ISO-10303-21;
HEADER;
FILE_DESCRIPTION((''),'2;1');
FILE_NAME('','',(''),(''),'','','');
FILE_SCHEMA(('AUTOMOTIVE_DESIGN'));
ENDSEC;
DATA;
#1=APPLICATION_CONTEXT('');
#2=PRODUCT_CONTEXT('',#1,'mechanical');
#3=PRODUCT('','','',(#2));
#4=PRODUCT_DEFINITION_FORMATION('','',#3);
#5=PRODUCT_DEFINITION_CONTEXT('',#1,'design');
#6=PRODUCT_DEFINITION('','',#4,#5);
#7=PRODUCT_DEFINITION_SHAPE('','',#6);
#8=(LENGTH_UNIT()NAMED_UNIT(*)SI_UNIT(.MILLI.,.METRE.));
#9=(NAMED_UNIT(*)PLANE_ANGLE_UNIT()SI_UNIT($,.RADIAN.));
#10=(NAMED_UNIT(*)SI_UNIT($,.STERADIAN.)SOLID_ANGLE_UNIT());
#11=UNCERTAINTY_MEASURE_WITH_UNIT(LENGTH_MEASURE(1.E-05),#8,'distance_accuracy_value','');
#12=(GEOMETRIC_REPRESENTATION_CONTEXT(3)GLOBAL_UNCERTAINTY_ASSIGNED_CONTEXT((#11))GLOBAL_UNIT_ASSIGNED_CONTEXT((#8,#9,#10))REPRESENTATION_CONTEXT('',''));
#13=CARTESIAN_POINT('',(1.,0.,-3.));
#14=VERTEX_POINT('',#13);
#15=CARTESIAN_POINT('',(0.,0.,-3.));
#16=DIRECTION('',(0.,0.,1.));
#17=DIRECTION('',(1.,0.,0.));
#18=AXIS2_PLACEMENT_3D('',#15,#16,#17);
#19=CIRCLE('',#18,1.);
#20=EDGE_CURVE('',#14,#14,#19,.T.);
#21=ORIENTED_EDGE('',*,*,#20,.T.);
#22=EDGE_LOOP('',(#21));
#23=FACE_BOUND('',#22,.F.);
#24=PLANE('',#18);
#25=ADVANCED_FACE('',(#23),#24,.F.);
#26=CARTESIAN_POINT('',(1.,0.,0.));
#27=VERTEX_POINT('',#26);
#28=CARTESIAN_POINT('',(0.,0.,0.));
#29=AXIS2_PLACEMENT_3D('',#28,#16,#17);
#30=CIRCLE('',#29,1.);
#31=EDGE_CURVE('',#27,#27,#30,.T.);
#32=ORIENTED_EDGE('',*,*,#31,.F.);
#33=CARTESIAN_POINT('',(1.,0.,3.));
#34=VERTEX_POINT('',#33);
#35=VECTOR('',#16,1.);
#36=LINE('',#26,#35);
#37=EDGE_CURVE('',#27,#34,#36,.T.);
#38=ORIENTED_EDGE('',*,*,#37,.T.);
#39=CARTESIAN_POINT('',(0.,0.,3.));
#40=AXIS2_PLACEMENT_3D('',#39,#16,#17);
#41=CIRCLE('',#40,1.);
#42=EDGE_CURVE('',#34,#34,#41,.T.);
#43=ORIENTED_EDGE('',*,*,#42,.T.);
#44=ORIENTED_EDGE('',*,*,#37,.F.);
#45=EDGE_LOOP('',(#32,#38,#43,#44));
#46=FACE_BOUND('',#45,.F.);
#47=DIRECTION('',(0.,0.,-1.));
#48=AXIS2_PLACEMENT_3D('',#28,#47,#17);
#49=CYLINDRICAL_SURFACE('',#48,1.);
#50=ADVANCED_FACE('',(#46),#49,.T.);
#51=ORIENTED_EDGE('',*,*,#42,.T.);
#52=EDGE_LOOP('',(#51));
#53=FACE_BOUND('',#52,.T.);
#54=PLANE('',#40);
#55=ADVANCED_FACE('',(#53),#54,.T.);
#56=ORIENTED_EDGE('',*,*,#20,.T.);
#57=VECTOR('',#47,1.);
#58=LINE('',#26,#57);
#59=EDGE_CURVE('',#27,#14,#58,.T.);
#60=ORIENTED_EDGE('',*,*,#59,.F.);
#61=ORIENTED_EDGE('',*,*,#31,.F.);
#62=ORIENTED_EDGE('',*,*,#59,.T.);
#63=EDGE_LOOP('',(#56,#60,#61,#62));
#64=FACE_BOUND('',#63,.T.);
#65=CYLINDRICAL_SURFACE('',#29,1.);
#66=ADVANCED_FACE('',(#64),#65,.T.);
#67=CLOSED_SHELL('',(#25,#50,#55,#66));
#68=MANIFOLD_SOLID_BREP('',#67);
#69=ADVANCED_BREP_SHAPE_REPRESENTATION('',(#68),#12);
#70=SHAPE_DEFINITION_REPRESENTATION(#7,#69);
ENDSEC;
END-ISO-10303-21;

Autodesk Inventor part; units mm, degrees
ref_plane "YZ Plane" through (0, 0, 0) normal (1, 0, 0) x (0, 1, 0)
ref_plane "XZ Plane" through (0, 0, 0) normal (0, 1, 0) x (-1, 0, 0)
ref_plane "XY Plane" through (0, 0, 0) normal (0, 0, 1) x (1, 0, 0)
sketch "スケッチ1" plane through (0, 0, 0) normal (0, 0, 1) x (1, 0, 0)
  circle A0 centre (0, 0) radius 1
  dimension "d0" = 2
extrude "押し出し1" add sketch "スケッチ1" along normal mid plane 6
properties part number "NockPin_2x6"
